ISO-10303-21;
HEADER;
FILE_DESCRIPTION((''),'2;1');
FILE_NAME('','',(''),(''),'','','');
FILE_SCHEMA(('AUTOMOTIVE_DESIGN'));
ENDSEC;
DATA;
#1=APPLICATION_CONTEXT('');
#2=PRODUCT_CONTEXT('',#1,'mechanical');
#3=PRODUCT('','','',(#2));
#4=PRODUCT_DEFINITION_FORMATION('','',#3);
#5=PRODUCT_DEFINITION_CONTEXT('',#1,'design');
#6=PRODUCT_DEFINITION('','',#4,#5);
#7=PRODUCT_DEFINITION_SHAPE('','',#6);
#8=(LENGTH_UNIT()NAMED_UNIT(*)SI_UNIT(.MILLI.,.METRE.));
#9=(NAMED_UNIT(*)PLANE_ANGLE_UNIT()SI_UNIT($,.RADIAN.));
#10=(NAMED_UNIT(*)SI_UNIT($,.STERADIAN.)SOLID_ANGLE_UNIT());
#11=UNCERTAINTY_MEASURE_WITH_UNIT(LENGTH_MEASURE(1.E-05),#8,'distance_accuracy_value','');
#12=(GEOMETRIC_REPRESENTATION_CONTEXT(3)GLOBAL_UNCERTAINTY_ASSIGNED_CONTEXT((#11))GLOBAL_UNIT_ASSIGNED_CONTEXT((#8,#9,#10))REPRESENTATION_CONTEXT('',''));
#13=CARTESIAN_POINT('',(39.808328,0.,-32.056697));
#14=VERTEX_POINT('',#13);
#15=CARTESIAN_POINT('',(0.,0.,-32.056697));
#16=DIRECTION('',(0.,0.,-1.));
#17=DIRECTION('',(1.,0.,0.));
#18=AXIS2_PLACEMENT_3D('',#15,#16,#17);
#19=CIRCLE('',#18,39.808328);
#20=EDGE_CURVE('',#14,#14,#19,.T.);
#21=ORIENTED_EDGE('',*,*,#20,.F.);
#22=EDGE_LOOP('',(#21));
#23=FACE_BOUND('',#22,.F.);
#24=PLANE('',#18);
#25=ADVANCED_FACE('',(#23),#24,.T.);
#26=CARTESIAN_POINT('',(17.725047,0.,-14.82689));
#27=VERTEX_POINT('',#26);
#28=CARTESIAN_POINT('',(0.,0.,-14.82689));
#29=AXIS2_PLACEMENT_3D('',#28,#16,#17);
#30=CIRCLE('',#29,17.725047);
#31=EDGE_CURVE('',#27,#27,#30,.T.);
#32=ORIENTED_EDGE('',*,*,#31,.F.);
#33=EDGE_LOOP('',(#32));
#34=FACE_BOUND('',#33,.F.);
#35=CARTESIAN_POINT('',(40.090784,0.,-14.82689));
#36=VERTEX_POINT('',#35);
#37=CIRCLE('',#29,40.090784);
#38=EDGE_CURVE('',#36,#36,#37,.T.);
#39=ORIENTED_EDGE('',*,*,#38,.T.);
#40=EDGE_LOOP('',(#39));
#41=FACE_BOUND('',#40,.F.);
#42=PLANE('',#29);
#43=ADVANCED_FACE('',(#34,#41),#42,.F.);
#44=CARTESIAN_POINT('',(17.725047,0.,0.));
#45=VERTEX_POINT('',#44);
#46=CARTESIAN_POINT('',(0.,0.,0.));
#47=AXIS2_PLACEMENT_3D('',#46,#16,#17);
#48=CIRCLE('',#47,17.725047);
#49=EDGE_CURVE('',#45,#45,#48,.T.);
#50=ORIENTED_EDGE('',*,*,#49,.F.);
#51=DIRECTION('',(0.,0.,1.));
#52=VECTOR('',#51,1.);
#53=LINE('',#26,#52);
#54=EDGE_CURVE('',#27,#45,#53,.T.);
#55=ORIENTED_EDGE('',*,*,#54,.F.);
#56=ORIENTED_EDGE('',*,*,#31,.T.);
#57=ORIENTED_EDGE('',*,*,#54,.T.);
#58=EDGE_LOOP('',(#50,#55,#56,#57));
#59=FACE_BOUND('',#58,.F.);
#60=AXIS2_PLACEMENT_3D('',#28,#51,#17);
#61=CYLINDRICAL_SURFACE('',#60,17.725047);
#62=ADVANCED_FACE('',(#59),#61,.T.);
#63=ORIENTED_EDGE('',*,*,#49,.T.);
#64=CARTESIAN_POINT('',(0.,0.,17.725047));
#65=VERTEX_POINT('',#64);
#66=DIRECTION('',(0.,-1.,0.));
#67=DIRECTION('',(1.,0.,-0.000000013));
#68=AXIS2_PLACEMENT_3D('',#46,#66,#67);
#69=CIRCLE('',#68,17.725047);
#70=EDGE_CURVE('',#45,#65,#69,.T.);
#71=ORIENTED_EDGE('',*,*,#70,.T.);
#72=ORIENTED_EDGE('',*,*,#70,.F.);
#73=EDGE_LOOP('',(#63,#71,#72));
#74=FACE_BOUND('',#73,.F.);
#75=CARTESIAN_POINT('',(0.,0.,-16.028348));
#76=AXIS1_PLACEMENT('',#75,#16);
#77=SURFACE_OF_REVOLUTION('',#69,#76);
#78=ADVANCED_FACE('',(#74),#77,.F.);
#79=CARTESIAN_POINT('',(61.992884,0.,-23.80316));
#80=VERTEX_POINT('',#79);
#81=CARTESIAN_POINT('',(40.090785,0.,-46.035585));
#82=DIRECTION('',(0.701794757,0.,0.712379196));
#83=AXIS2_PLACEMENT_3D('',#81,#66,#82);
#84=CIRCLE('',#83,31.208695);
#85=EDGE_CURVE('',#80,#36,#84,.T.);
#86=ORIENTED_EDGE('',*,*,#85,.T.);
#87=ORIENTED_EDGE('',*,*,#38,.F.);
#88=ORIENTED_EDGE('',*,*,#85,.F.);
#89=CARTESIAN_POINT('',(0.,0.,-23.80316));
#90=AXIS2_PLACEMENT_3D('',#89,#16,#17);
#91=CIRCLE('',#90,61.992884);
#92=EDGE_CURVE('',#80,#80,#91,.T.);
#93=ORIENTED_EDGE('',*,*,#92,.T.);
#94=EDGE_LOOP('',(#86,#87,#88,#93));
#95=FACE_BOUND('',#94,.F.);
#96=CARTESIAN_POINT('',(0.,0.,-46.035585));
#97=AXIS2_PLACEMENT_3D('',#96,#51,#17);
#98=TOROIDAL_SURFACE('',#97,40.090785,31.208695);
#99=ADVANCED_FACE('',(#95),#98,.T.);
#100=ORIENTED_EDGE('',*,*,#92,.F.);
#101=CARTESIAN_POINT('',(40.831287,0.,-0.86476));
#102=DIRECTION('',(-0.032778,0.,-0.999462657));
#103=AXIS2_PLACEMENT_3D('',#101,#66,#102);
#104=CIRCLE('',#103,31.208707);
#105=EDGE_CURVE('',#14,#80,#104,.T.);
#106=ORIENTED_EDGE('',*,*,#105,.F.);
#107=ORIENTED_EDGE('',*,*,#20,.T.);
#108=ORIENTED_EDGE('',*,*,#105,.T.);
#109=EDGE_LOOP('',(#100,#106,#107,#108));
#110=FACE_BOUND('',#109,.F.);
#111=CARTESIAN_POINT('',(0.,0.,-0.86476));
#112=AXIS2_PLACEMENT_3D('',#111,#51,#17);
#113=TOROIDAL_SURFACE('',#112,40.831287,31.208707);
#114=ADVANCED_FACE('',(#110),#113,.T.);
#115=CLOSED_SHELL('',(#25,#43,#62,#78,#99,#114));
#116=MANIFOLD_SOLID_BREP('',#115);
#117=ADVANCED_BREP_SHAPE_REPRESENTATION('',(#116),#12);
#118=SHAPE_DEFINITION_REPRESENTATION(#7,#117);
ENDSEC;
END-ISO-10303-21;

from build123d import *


with BuildPart() as f1:
    # F0 (on Front) → F1 (revolve)
    with BuildSketch(Plane.XZ):
        with BuildLine():
            Line((17.725047, -14.82689), (17.725047, 0))
            ThreePointArc((17.725047, 0), (12.533501, 12.533501), (0, 17.725047))
            Line((0, 17.725047), (0, 0))
            Line((0, 0), (0, -32.056697))
            Line((0, -32.056697), (39.808328, -32.056697))
            ThreePointArc((39.808328, -32.056697), (51.713447, -30.114751), (61.992884, -23.80316))
            ThreePointArc((61.992884, -23.80316), (51.925853, -17.158019), (40.090784, -14.82689))
            Line((40.090784, -14.82689), (17.725047, -14.82689))
        make_face()
    revolve(axis=Axis((0, 0, -16.028348), (0, 0, -1)))


solid = f1.part
